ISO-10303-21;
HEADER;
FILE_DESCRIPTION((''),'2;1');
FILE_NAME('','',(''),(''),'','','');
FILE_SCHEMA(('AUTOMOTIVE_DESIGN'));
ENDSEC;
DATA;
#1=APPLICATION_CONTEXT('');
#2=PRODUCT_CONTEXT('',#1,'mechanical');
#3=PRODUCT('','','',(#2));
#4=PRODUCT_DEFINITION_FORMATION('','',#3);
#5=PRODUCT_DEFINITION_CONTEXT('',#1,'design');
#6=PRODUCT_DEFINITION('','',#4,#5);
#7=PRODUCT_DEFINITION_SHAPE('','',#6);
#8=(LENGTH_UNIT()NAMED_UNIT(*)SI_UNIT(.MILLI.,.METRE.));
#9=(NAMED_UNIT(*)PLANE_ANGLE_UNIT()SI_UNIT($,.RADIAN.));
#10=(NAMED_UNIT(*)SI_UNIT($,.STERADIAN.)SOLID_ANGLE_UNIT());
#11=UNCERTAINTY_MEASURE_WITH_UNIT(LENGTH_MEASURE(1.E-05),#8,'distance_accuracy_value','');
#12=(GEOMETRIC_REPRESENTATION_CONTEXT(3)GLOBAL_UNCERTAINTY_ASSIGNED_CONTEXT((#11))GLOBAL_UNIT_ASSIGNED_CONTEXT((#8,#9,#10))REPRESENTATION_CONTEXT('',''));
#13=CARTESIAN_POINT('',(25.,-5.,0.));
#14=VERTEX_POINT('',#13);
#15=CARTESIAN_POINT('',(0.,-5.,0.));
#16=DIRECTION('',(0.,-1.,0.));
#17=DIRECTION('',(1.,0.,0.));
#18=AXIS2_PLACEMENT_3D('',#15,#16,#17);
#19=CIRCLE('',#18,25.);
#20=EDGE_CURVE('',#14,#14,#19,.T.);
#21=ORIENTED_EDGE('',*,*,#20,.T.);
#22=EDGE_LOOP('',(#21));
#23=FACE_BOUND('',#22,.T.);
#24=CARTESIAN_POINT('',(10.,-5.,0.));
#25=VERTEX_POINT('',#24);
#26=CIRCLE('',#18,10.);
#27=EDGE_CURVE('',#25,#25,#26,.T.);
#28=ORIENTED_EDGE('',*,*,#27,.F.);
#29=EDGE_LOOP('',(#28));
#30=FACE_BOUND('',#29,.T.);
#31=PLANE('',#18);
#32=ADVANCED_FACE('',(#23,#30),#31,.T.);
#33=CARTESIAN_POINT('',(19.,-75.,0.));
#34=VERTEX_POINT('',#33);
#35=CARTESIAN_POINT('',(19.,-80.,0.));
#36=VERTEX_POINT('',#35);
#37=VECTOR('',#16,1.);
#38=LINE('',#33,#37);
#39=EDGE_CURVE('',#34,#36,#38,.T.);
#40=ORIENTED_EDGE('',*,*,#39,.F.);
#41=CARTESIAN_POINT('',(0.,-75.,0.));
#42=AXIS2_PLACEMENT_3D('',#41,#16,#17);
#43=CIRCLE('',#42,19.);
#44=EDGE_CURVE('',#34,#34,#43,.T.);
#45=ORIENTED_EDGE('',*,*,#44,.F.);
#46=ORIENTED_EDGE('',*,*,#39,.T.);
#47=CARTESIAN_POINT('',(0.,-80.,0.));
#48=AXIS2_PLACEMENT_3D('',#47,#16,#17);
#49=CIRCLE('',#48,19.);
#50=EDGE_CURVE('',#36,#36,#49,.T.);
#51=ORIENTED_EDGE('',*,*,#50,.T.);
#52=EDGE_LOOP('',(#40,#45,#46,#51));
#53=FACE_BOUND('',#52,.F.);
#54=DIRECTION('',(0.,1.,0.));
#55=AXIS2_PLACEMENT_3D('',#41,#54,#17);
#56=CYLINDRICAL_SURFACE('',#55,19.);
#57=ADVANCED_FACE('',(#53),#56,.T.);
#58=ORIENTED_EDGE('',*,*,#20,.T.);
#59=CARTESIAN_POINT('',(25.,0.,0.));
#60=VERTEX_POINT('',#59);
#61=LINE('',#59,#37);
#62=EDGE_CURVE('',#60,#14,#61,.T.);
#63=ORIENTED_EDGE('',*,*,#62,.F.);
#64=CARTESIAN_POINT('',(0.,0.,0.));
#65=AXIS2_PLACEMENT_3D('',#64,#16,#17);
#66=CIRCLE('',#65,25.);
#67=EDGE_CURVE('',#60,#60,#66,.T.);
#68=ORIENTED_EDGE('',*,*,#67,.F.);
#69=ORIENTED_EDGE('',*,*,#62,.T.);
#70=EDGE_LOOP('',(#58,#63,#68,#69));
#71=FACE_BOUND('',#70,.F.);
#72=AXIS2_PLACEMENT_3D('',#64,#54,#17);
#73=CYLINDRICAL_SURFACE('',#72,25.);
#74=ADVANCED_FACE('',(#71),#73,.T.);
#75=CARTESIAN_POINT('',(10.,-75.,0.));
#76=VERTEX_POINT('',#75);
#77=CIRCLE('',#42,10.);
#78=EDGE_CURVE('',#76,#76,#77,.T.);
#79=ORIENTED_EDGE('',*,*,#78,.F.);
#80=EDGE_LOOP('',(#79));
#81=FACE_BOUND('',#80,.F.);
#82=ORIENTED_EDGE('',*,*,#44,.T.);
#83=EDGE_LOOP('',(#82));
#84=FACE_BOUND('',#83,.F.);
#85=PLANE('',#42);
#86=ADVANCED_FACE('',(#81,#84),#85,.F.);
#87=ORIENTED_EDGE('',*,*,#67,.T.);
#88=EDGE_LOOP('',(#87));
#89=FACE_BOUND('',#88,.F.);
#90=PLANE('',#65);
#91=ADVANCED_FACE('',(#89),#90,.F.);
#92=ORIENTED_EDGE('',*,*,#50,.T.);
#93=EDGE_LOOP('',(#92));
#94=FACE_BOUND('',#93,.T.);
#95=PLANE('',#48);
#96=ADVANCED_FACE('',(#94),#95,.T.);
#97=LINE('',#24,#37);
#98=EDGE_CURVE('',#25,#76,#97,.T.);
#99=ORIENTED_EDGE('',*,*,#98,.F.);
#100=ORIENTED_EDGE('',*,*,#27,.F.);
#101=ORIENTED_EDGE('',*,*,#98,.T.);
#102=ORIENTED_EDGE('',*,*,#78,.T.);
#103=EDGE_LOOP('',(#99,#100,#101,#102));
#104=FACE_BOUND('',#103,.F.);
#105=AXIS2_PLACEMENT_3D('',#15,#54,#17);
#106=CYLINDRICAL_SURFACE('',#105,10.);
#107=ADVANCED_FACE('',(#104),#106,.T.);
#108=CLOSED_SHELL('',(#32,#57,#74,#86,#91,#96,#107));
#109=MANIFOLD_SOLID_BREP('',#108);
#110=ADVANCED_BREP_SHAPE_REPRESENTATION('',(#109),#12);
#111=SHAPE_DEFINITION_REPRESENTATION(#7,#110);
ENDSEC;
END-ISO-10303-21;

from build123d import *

# Parameters (mm, degrees)
F0_R     = 25
F1_DEPTH = 5
F2_R     = 10
F3_DEPTH = 70
F4_R     = 19
F5_DEPTH = 5


with BuildPart() as f1:
    # F0 (on Front) → F1 (new body)
    with BuildSketch(Plane.XZ):
        Circle(F0_R)
    extrude(amount=F1_DEPTH)

    # F2 (on face) → F3 (join)
    with BuildSketch(Plane.XZ.offset(5)):
        Circle(F2_R)
    extrude(amount=F3_DEPTH)

    # F4 (on face) → F5 (join)
    with BuildSketch(Plane.XZ.offset(75)):
        Circle(F4_R)
    extrude(amount=F5_DEPTH)


solid = f1.part
